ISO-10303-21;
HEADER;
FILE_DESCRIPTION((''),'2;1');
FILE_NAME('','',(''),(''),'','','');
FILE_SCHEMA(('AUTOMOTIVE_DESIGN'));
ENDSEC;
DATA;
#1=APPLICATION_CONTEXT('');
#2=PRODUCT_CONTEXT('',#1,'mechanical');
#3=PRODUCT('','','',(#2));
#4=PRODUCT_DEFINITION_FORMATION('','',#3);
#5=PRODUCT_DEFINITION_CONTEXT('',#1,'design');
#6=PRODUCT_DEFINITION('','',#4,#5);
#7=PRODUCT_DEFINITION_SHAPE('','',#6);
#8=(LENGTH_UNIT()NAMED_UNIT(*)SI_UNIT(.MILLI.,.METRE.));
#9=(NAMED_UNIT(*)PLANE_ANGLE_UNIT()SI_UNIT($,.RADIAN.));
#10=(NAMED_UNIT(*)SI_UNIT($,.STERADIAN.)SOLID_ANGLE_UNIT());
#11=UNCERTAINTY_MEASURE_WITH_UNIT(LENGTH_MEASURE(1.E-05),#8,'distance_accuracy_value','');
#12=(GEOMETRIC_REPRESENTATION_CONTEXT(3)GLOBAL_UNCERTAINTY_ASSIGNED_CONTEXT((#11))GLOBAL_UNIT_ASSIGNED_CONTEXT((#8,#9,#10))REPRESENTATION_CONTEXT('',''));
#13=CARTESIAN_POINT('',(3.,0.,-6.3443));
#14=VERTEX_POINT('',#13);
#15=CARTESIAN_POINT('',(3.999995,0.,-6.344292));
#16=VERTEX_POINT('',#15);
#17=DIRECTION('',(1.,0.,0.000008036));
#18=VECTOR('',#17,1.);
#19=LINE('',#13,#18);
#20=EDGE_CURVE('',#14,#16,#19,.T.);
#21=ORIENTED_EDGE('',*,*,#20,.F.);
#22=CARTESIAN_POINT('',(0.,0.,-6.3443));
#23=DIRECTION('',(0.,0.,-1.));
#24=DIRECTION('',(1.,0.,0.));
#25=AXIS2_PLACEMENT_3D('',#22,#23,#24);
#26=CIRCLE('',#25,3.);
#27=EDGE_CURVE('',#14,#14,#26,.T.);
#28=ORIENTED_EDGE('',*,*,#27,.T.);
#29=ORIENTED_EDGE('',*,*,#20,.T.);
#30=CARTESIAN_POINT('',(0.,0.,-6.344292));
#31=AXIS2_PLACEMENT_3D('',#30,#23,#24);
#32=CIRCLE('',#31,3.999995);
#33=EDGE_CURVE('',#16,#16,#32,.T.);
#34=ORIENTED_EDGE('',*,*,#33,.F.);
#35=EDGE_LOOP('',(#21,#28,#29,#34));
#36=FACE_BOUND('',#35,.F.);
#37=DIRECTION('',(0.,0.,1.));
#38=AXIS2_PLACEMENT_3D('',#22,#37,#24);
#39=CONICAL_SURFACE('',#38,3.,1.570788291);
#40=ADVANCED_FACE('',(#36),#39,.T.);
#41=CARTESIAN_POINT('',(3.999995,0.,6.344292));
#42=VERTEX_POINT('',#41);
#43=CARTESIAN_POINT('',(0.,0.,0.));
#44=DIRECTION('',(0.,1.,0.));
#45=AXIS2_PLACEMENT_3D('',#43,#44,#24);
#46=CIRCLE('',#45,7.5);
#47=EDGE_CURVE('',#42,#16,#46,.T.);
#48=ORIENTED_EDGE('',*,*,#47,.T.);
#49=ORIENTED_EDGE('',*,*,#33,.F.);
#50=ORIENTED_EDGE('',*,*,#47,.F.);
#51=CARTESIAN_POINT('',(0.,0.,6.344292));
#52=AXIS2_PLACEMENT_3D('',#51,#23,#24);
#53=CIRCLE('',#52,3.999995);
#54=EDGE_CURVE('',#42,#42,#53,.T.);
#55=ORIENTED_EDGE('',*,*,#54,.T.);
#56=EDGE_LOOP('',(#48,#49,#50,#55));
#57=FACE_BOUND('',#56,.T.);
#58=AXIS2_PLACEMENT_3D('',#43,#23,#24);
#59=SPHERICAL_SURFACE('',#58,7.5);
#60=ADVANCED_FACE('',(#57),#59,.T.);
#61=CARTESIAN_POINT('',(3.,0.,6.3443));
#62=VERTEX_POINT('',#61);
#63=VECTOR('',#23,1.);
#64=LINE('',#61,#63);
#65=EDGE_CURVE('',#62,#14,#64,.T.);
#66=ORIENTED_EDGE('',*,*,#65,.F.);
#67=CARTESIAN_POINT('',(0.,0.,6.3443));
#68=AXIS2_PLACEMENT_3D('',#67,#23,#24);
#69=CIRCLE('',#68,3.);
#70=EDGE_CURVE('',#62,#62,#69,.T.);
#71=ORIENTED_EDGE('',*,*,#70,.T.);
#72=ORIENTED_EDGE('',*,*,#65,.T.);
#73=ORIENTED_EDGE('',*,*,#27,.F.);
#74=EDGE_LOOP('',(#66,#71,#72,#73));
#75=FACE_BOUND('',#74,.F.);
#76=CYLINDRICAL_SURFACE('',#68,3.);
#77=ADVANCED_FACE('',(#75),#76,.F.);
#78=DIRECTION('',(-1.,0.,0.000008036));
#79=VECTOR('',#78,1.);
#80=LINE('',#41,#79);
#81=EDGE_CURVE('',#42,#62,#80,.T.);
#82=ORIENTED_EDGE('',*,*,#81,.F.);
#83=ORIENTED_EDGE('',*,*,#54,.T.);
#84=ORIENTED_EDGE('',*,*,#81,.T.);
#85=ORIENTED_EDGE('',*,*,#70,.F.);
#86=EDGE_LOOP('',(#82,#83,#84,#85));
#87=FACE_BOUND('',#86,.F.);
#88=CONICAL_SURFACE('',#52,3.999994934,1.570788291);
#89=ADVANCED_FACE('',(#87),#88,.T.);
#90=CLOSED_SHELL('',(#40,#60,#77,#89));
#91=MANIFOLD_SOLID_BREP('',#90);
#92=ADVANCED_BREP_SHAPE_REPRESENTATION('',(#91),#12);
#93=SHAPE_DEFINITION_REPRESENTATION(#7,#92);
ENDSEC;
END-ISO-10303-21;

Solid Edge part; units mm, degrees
sketch "Sketch1" plane through (0, 0, 0) normal (0, -1, 0) x (1, 0, 0)
  arc A0 (4, 6.3443) -> (4, -6.3443) centre (0, 0) cw
  line L0 (3, -6.3443) -> (4, -6.3443)
  line L1 (3, 6.3443) -> (3, -6.3443)
  line L2 (4, 6.3443) -> (3, 6.3443)
  dimension "D1" = 1
  dimension "D2" = 7.5
  dimension "D3" = 1
  dimension "D4" = 3
revolve "RevolvedProtrusion1" add sketch "Sketch1" angle 360 about axis through (0, 0, 54) along (0, 0, -1)
properties material "Steel"
